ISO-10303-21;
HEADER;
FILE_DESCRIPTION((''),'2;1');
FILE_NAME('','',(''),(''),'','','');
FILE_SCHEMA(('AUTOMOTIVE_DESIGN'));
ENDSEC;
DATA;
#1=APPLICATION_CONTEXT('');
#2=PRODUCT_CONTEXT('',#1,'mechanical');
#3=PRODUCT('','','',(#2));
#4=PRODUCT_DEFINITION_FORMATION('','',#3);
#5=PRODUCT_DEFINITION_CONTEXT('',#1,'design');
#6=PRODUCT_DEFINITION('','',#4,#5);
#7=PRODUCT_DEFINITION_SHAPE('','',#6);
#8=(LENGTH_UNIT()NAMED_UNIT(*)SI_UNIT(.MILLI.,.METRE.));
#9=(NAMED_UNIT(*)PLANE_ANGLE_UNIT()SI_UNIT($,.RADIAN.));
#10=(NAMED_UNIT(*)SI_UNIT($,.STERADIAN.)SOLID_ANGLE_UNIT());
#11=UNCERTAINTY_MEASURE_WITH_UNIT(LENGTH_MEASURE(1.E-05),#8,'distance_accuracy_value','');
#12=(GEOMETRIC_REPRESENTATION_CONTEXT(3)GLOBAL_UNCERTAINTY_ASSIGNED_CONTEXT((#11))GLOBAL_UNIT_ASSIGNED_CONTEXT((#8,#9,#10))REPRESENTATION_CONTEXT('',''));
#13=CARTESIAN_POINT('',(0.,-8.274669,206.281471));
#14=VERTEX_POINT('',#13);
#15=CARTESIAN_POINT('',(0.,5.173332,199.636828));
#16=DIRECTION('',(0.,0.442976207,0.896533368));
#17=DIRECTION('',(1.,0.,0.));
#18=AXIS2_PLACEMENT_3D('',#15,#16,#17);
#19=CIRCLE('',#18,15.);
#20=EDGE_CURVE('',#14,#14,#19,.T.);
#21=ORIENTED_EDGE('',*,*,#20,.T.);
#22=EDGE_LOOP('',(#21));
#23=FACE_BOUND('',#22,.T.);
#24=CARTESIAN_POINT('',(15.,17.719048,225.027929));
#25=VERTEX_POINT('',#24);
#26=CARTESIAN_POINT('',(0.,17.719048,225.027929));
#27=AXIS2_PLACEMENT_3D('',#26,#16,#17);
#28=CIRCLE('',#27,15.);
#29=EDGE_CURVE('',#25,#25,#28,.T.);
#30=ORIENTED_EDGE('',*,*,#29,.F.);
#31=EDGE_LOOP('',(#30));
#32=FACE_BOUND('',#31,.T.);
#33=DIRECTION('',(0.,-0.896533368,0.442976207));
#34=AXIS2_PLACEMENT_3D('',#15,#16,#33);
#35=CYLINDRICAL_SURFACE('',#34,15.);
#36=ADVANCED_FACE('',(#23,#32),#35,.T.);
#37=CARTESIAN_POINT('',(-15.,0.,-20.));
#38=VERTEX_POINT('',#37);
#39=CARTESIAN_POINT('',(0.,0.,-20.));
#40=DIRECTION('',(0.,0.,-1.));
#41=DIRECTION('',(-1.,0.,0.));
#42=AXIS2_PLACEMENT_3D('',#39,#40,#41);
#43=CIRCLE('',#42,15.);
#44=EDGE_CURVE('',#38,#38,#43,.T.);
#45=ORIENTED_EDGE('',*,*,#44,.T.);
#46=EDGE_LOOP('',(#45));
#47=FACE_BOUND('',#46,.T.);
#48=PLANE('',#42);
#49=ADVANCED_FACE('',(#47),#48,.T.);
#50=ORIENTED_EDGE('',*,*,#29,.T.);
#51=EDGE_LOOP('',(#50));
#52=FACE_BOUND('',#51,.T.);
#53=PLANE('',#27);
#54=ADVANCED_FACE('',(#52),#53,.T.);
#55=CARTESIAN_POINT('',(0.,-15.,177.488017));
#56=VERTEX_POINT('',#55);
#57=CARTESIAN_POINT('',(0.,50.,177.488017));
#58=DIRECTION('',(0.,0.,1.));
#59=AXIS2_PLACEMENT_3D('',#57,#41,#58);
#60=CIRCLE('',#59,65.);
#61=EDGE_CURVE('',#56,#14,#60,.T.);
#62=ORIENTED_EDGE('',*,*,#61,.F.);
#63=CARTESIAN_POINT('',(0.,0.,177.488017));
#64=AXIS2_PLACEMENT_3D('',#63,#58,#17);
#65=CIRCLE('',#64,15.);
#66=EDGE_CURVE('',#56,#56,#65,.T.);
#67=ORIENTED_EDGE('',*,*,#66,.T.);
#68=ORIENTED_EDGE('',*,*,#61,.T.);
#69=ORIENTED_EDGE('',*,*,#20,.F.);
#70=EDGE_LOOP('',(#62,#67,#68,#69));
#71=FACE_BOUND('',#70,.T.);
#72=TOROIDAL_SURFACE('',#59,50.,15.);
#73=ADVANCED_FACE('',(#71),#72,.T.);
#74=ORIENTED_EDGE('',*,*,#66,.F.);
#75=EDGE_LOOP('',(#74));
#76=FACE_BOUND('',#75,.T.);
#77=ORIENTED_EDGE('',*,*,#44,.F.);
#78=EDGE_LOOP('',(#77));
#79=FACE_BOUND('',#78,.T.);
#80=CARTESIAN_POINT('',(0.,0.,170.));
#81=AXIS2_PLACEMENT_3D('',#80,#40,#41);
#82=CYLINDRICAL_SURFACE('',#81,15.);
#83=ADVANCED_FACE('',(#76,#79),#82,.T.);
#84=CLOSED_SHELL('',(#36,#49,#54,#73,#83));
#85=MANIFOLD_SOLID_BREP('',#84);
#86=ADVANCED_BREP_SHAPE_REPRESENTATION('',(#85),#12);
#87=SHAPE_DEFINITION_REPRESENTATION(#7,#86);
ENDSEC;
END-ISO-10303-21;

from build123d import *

# Parameters (mm, degrees)
CROQUIS1_R              = 15
SALIENTE_EXTRUIR1_DEPTH = 170
CROQUIS2_R              = 15
CROQUIS3_R              = 15
SALIENTE_EXTRUIR2_DEPTH = 20


with BuildPart() as part:
    # Croquis1 → Saliente-Extruir1 (new body)
    with BuildSketch(Plane.XY):
        Circle(CROQUIS1_R)
    extrude(amount=SALIENTE_EXTRUIR1_DEPTH)

    # Barrer1: sweep along a curve in space
    with BuildLine() as barrer1_path:
        Line((0, 0, 170), (0, 0, 177.4880174))
        ThreePointArc((0, 0, 177.4880174), (0, 1.310507191, 188.860496902), (0, 5.173331601, 199.636827757))
        Line((0, 5.173331601, 199.636827757), (0, 17.719048286, 225.027928795))
    # Croquis2 → Barrer1 (sweep)
    with BuildSketch(Plane.XY.offset(170)):
        Circle(CROQUIS2_R)
    sweep(path=barrer1_path.line)

    # Croquis3 → Saliente-Extruir2 (add)
    with BuildSketch(Plane(origin=(0, 0, 0), x_dir=(-1, 0, 0), z_dir=(0, 0, -1))):
        Circle(CROQUIS3_R)
    extrude(amount=SALIENTE_EXTRUIR2_DEPTH)


solid = part.part
